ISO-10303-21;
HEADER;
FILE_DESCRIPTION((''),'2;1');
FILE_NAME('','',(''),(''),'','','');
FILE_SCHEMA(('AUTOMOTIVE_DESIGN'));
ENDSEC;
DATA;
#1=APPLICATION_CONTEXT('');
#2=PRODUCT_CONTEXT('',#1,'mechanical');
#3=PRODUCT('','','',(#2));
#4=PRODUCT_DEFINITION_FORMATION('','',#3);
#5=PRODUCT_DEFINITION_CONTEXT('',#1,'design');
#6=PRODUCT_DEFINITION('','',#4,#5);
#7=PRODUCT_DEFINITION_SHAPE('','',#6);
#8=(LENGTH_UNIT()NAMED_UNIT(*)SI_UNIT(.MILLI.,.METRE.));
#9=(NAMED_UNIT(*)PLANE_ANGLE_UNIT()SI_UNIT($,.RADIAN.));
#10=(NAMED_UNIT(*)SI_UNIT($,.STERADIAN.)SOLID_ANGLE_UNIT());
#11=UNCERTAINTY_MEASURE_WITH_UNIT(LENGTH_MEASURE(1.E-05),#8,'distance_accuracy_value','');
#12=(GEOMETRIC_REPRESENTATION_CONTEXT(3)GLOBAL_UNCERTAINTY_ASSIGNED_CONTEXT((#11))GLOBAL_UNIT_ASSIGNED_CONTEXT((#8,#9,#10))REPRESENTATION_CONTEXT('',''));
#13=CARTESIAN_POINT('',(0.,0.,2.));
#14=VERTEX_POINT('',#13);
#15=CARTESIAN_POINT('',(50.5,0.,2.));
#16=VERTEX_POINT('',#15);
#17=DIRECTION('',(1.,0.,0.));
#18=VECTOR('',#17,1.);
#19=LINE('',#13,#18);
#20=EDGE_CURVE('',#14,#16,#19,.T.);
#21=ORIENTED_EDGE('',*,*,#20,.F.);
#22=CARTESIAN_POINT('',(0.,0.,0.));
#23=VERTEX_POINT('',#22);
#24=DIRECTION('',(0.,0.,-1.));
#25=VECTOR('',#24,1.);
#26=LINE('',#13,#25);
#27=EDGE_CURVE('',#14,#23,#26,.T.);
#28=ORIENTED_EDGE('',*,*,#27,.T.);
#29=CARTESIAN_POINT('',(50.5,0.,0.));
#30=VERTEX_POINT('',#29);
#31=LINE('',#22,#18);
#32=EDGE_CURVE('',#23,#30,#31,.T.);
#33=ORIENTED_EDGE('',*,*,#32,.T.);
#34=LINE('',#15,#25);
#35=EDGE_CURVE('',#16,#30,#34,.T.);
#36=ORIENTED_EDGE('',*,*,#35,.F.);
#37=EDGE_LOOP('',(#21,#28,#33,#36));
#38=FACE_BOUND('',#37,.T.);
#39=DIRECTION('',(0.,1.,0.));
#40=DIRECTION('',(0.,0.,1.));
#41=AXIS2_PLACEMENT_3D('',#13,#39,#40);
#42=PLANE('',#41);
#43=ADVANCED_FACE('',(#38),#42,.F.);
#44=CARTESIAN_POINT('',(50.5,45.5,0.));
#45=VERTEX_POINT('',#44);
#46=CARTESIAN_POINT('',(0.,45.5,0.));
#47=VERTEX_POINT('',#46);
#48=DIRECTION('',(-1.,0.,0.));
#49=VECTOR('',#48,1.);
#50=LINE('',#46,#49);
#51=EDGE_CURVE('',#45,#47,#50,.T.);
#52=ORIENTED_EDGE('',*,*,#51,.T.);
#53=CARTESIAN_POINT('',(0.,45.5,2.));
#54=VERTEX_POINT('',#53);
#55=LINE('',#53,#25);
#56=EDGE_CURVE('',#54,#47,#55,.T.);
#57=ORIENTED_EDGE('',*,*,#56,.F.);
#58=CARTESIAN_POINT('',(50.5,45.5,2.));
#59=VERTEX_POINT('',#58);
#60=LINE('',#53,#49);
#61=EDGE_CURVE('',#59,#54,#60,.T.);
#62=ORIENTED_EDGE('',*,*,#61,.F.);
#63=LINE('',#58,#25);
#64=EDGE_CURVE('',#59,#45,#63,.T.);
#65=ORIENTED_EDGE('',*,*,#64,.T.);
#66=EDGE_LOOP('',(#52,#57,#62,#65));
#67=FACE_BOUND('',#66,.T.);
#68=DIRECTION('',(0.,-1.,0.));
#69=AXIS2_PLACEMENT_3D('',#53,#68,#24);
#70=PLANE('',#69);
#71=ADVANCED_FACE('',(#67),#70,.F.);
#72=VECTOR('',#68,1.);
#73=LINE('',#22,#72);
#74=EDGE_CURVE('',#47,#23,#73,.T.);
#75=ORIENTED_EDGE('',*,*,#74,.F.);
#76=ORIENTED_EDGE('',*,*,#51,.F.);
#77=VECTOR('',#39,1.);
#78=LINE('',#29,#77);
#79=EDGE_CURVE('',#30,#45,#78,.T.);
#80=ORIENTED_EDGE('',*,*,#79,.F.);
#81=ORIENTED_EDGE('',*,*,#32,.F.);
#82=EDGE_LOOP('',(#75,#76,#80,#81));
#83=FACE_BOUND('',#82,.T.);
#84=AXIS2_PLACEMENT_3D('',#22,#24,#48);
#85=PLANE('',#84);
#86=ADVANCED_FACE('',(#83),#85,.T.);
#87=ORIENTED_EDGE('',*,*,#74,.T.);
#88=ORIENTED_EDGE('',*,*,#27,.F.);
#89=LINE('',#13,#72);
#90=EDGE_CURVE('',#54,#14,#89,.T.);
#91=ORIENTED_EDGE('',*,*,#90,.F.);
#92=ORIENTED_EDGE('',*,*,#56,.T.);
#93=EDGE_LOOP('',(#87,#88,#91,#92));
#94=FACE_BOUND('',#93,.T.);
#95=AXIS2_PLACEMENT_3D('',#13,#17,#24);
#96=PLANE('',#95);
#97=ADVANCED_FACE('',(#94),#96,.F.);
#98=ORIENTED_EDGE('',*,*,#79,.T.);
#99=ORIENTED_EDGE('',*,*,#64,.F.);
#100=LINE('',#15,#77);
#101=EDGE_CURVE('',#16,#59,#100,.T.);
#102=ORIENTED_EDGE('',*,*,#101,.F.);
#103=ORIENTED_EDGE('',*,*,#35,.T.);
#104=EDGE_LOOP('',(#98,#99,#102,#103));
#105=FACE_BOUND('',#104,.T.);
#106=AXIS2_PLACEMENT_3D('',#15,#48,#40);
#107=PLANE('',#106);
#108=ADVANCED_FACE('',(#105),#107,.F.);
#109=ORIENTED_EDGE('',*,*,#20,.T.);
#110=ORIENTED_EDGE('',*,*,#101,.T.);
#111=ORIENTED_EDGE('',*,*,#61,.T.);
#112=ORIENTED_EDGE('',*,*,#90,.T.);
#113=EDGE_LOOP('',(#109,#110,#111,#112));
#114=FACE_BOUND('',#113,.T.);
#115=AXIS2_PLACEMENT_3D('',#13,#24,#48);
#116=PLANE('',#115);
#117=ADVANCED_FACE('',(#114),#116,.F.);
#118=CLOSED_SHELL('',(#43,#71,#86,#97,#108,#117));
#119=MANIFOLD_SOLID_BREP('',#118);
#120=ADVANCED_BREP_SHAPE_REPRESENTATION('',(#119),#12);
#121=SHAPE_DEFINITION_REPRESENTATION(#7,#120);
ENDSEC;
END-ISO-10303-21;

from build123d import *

# Parameters (mm, degrees)
SCHIZZO1_W                   = 50.5
SCHIZZO1_H                   = 45.5
ESTRUSIONE_ESTRUSIONE1_DEPTH = 2


with BuildPart() as part:
    # Schizzo1 → Estrusione-Estrusione1 (new body)
    with BuildSketch(Plane.XY):
        with Locations((25.25, 22.75)):
            Rectangle(SCHIZZO1_W, SCHIZZO1_H)
    extrude(amount=ESTRUSIONE_ESTRUSIONE1_DEPTH)


solid = part.part
